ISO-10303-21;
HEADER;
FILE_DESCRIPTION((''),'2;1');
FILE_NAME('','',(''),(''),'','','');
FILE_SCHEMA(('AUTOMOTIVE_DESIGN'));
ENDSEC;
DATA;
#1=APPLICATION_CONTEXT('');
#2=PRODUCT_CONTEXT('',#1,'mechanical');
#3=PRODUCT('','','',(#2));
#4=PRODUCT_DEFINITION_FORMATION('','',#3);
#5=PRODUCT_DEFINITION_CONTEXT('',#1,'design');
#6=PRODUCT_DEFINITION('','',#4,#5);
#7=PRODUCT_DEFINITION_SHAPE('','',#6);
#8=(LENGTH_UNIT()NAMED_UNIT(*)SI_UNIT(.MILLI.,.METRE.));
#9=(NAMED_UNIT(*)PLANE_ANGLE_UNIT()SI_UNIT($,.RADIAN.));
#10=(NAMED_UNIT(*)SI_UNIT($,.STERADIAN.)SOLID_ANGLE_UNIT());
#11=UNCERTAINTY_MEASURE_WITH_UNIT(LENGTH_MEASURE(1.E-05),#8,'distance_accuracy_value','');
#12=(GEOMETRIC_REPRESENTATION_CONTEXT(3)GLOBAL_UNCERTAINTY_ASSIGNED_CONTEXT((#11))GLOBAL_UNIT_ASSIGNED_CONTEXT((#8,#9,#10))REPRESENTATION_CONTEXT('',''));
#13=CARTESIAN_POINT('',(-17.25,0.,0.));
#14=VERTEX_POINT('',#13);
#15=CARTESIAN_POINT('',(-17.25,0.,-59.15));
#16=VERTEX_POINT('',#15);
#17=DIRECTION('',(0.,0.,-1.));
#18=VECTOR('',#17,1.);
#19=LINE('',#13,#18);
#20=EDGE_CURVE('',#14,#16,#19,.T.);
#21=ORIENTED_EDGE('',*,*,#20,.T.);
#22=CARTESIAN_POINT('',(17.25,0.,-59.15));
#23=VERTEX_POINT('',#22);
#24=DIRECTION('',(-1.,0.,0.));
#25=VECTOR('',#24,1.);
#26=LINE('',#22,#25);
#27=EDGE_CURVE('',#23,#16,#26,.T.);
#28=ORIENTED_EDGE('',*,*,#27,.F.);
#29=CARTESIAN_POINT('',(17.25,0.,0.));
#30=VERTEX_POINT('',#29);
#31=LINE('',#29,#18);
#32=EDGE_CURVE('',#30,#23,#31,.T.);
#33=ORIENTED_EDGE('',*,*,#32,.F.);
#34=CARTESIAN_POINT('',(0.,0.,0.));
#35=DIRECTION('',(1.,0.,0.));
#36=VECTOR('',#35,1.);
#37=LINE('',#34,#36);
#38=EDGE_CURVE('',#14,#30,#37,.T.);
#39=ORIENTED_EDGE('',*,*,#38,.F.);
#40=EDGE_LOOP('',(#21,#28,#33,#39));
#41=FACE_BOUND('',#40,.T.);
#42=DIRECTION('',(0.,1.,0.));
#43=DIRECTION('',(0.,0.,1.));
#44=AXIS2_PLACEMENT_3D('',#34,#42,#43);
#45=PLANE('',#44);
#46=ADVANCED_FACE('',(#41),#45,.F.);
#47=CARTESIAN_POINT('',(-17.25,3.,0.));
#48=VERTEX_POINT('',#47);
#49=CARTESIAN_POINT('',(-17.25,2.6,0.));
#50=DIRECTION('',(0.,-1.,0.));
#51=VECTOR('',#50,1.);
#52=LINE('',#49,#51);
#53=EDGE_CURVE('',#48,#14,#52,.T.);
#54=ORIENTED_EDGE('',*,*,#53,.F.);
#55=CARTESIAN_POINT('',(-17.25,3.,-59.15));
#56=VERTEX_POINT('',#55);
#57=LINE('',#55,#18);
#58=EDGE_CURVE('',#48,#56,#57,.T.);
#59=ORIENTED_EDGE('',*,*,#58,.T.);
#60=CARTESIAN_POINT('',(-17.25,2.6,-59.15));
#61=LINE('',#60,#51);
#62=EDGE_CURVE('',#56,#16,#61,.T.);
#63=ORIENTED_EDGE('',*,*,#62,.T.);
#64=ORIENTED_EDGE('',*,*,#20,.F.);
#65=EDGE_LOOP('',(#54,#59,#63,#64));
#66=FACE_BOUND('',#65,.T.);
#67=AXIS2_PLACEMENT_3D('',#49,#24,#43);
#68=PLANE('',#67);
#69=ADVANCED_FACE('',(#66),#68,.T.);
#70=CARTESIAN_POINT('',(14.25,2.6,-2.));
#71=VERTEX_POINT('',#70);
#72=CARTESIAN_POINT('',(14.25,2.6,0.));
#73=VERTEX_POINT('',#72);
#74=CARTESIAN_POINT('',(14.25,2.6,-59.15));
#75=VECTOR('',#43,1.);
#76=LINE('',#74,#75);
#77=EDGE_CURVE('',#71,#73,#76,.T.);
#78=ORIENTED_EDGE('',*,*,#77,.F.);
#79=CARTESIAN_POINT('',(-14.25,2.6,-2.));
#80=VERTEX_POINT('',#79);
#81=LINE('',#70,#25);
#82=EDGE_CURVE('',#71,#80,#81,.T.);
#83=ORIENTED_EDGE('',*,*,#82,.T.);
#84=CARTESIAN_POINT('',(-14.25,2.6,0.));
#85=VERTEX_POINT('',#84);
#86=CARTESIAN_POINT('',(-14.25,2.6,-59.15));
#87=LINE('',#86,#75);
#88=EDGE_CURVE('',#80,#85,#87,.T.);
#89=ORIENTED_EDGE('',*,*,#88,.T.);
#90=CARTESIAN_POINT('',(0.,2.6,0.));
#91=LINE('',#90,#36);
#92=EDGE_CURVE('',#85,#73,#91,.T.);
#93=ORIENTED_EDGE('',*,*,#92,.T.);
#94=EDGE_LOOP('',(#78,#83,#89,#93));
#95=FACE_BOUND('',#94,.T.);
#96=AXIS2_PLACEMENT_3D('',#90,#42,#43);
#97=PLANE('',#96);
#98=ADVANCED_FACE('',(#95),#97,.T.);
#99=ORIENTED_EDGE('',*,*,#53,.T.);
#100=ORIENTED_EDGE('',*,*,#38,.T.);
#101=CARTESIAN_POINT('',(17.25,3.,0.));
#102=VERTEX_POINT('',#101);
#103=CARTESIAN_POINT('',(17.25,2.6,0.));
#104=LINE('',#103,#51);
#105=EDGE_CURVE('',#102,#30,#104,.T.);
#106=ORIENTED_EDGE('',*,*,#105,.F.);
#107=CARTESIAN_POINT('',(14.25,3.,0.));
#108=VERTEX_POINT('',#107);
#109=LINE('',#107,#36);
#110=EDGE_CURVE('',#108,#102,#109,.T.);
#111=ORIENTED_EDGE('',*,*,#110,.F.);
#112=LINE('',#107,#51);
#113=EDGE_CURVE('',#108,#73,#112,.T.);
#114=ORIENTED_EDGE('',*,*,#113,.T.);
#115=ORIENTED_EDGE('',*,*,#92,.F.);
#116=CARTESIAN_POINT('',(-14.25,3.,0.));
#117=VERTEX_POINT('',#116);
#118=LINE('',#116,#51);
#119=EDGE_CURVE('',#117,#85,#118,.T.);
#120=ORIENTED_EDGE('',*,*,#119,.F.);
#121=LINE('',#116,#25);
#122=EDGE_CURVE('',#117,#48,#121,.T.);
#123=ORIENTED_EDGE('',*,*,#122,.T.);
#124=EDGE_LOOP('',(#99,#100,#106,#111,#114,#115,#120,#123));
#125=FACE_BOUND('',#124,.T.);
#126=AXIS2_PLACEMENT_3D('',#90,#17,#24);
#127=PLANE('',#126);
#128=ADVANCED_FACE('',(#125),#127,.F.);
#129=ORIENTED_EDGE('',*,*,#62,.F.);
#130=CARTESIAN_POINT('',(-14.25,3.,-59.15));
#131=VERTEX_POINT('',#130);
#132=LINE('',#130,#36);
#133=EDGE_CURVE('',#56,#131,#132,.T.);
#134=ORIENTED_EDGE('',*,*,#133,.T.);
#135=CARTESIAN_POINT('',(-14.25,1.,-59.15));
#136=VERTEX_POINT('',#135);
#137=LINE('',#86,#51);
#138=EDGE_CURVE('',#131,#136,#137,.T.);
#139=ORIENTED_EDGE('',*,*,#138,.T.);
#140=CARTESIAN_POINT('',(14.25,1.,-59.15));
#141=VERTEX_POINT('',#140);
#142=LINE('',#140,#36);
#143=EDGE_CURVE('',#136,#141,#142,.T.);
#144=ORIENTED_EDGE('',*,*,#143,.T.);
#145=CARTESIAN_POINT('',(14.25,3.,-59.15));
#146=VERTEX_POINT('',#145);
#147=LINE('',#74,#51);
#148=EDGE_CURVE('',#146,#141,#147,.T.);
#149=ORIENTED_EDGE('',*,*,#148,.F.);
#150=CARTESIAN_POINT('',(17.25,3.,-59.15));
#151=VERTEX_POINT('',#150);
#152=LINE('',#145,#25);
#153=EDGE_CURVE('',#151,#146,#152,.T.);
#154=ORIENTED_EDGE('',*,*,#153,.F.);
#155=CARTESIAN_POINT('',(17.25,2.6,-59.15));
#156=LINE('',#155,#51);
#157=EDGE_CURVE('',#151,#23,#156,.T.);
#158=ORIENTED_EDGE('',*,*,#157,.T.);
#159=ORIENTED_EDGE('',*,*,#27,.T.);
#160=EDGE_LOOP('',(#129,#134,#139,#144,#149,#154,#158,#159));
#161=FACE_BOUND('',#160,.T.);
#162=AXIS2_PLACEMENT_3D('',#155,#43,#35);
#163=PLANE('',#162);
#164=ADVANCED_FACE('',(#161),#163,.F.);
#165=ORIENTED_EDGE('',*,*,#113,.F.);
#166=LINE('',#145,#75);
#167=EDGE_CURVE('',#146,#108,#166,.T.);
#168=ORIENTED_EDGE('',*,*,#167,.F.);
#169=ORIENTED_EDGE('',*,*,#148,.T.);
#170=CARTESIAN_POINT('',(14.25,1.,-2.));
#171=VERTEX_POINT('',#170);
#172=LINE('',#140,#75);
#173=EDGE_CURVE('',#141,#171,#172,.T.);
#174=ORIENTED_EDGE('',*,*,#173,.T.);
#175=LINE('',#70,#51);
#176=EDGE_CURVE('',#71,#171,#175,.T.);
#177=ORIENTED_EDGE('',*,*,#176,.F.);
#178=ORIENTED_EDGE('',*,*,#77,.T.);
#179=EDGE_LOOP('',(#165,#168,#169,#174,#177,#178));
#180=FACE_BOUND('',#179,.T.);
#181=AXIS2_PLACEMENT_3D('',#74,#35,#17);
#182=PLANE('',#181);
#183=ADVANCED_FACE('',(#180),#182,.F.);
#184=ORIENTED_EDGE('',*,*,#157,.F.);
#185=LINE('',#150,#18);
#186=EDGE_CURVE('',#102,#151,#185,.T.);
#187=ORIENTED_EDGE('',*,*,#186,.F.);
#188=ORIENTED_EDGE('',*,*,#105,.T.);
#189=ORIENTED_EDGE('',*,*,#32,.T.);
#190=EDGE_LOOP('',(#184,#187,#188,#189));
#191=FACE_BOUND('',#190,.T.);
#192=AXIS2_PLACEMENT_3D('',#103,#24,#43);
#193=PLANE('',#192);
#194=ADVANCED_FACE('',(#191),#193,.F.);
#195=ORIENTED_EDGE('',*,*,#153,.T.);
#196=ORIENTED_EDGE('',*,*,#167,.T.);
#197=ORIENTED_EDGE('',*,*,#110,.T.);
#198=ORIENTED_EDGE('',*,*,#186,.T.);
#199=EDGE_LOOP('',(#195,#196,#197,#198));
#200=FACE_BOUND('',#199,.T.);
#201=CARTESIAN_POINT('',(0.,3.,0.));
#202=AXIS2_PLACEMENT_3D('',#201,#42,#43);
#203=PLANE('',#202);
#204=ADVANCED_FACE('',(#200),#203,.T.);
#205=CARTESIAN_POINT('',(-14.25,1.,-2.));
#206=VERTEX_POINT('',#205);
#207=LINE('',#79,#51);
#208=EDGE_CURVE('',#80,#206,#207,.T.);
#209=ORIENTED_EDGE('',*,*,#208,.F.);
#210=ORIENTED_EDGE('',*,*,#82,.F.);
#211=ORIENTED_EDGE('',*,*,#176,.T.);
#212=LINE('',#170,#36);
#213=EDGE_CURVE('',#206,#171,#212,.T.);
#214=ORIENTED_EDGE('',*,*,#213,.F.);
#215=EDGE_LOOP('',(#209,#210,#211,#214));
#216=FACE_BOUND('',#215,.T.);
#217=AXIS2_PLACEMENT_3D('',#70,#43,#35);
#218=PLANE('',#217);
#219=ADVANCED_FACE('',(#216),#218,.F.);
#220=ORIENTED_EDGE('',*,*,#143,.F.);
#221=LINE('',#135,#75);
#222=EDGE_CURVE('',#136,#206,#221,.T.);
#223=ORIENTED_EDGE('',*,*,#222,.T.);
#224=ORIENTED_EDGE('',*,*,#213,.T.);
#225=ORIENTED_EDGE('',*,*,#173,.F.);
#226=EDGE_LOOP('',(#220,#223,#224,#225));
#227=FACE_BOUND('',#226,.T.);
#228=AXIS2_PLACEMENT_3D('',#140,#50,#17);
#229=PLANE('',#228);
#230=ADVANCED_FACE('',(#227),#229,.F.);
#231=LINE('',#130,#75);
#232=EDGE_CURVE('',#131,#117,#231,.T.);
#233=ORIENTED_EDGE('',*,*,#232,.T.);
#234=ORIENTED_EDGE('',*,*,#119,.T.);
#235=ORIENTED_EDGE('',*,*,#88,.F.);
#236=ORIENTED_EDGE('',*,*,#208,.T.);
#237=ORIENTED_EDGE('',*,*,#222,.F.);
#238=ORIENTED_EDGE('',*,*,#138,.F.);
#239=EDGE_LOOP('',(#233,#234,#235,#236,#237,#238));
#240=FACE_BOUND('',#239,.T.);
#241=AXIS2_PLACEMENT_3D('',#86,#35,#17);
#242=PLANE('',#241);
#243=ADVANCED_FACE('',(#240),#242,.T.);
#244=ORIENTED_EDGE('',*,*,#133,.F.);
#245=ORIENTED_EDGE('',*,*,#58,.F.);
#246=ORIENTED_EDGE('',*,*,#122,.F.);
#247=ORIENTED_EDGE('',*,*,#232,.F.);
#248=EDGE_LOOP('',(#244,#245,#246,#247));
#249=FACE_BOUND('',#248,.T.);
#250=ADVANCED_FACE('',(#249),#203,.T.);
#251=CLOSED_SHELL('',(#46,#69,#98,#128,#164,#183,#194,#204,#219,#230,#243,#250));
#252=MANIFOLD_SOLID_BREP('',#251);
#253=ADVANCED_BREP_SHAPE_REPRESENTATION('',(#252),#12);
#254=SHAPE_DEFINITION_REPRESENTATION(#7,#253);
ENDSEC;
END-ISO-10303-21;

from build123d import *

# Parameters (mm, degrees)
BOSS_EXTRUDE1_DEPTH = 2.6
SKETCH3_W           = 3
SKETCH3_H           = 59.15
BOSS_EXTRUDE2_DEPTH = 0.4
SKETCH5_W           = 28.5
SKETCH5_H           = 1
BOSS_EXTRUDE3_DEPTH = 57.15


with BuildPart() as part:
    # Sketch1 → Boss-Extrude1 (new body)
    with BuildSketch(Plane(origin=(0, 0, 0), x_dir=(1, 0, 0), z_dir=(0, 1, 0))):
        Polygon((0, 0), (17.25, 0), (17.25, 59.15), (14.25, 59.15), (14.25, 2), (0, 2), align=None)
    boss_extrude1 = extrude(amount=BOSS_EXTRUDE1_DEPTH)

    # Sketch3 → Boss-Extrude2 (add)
    with BuildSketch(Plane(origin=(0, 2.6, 0), x_dir=(1, 0, 0), z_dir=(0, 1, 0))):
        with Locations((15.75, 29.575)):
            Rectangle(SKETCH3_W, SKETCH3_H)
    boss_extrude2 = extrude(amount=BOSS_EXTRUDE2_DEPTH)

    # Mirror2: Boss-Extrude1, Boss-Extrude2 across plane
    add(boss_extrude1.mirror(Plane(origin=(0, 0, 0), x_dir=(0, 0, 1), z_dir=(1, 0, 0))))
    add(boss_extrude2.mirror(Plane(origin=(0, 0, 0), x_dir=(0, 0, 1), z_dir=(1, 0, 0))))

    # Sketch5 → Boss-Extrude3 (add, through all)
    with BuildSketch(Plane(origin=(0, 0, -2), x_dir=(-1, 0, 0), z_dir=(0, 0, -1))):
        with Locations((0, 0.5)):
            Rectangle(SKETCH5_W, SKETCH5_H)
    extrude(amount=BOSS_EXTRUDE3_DEPTH)


solid = part.part
